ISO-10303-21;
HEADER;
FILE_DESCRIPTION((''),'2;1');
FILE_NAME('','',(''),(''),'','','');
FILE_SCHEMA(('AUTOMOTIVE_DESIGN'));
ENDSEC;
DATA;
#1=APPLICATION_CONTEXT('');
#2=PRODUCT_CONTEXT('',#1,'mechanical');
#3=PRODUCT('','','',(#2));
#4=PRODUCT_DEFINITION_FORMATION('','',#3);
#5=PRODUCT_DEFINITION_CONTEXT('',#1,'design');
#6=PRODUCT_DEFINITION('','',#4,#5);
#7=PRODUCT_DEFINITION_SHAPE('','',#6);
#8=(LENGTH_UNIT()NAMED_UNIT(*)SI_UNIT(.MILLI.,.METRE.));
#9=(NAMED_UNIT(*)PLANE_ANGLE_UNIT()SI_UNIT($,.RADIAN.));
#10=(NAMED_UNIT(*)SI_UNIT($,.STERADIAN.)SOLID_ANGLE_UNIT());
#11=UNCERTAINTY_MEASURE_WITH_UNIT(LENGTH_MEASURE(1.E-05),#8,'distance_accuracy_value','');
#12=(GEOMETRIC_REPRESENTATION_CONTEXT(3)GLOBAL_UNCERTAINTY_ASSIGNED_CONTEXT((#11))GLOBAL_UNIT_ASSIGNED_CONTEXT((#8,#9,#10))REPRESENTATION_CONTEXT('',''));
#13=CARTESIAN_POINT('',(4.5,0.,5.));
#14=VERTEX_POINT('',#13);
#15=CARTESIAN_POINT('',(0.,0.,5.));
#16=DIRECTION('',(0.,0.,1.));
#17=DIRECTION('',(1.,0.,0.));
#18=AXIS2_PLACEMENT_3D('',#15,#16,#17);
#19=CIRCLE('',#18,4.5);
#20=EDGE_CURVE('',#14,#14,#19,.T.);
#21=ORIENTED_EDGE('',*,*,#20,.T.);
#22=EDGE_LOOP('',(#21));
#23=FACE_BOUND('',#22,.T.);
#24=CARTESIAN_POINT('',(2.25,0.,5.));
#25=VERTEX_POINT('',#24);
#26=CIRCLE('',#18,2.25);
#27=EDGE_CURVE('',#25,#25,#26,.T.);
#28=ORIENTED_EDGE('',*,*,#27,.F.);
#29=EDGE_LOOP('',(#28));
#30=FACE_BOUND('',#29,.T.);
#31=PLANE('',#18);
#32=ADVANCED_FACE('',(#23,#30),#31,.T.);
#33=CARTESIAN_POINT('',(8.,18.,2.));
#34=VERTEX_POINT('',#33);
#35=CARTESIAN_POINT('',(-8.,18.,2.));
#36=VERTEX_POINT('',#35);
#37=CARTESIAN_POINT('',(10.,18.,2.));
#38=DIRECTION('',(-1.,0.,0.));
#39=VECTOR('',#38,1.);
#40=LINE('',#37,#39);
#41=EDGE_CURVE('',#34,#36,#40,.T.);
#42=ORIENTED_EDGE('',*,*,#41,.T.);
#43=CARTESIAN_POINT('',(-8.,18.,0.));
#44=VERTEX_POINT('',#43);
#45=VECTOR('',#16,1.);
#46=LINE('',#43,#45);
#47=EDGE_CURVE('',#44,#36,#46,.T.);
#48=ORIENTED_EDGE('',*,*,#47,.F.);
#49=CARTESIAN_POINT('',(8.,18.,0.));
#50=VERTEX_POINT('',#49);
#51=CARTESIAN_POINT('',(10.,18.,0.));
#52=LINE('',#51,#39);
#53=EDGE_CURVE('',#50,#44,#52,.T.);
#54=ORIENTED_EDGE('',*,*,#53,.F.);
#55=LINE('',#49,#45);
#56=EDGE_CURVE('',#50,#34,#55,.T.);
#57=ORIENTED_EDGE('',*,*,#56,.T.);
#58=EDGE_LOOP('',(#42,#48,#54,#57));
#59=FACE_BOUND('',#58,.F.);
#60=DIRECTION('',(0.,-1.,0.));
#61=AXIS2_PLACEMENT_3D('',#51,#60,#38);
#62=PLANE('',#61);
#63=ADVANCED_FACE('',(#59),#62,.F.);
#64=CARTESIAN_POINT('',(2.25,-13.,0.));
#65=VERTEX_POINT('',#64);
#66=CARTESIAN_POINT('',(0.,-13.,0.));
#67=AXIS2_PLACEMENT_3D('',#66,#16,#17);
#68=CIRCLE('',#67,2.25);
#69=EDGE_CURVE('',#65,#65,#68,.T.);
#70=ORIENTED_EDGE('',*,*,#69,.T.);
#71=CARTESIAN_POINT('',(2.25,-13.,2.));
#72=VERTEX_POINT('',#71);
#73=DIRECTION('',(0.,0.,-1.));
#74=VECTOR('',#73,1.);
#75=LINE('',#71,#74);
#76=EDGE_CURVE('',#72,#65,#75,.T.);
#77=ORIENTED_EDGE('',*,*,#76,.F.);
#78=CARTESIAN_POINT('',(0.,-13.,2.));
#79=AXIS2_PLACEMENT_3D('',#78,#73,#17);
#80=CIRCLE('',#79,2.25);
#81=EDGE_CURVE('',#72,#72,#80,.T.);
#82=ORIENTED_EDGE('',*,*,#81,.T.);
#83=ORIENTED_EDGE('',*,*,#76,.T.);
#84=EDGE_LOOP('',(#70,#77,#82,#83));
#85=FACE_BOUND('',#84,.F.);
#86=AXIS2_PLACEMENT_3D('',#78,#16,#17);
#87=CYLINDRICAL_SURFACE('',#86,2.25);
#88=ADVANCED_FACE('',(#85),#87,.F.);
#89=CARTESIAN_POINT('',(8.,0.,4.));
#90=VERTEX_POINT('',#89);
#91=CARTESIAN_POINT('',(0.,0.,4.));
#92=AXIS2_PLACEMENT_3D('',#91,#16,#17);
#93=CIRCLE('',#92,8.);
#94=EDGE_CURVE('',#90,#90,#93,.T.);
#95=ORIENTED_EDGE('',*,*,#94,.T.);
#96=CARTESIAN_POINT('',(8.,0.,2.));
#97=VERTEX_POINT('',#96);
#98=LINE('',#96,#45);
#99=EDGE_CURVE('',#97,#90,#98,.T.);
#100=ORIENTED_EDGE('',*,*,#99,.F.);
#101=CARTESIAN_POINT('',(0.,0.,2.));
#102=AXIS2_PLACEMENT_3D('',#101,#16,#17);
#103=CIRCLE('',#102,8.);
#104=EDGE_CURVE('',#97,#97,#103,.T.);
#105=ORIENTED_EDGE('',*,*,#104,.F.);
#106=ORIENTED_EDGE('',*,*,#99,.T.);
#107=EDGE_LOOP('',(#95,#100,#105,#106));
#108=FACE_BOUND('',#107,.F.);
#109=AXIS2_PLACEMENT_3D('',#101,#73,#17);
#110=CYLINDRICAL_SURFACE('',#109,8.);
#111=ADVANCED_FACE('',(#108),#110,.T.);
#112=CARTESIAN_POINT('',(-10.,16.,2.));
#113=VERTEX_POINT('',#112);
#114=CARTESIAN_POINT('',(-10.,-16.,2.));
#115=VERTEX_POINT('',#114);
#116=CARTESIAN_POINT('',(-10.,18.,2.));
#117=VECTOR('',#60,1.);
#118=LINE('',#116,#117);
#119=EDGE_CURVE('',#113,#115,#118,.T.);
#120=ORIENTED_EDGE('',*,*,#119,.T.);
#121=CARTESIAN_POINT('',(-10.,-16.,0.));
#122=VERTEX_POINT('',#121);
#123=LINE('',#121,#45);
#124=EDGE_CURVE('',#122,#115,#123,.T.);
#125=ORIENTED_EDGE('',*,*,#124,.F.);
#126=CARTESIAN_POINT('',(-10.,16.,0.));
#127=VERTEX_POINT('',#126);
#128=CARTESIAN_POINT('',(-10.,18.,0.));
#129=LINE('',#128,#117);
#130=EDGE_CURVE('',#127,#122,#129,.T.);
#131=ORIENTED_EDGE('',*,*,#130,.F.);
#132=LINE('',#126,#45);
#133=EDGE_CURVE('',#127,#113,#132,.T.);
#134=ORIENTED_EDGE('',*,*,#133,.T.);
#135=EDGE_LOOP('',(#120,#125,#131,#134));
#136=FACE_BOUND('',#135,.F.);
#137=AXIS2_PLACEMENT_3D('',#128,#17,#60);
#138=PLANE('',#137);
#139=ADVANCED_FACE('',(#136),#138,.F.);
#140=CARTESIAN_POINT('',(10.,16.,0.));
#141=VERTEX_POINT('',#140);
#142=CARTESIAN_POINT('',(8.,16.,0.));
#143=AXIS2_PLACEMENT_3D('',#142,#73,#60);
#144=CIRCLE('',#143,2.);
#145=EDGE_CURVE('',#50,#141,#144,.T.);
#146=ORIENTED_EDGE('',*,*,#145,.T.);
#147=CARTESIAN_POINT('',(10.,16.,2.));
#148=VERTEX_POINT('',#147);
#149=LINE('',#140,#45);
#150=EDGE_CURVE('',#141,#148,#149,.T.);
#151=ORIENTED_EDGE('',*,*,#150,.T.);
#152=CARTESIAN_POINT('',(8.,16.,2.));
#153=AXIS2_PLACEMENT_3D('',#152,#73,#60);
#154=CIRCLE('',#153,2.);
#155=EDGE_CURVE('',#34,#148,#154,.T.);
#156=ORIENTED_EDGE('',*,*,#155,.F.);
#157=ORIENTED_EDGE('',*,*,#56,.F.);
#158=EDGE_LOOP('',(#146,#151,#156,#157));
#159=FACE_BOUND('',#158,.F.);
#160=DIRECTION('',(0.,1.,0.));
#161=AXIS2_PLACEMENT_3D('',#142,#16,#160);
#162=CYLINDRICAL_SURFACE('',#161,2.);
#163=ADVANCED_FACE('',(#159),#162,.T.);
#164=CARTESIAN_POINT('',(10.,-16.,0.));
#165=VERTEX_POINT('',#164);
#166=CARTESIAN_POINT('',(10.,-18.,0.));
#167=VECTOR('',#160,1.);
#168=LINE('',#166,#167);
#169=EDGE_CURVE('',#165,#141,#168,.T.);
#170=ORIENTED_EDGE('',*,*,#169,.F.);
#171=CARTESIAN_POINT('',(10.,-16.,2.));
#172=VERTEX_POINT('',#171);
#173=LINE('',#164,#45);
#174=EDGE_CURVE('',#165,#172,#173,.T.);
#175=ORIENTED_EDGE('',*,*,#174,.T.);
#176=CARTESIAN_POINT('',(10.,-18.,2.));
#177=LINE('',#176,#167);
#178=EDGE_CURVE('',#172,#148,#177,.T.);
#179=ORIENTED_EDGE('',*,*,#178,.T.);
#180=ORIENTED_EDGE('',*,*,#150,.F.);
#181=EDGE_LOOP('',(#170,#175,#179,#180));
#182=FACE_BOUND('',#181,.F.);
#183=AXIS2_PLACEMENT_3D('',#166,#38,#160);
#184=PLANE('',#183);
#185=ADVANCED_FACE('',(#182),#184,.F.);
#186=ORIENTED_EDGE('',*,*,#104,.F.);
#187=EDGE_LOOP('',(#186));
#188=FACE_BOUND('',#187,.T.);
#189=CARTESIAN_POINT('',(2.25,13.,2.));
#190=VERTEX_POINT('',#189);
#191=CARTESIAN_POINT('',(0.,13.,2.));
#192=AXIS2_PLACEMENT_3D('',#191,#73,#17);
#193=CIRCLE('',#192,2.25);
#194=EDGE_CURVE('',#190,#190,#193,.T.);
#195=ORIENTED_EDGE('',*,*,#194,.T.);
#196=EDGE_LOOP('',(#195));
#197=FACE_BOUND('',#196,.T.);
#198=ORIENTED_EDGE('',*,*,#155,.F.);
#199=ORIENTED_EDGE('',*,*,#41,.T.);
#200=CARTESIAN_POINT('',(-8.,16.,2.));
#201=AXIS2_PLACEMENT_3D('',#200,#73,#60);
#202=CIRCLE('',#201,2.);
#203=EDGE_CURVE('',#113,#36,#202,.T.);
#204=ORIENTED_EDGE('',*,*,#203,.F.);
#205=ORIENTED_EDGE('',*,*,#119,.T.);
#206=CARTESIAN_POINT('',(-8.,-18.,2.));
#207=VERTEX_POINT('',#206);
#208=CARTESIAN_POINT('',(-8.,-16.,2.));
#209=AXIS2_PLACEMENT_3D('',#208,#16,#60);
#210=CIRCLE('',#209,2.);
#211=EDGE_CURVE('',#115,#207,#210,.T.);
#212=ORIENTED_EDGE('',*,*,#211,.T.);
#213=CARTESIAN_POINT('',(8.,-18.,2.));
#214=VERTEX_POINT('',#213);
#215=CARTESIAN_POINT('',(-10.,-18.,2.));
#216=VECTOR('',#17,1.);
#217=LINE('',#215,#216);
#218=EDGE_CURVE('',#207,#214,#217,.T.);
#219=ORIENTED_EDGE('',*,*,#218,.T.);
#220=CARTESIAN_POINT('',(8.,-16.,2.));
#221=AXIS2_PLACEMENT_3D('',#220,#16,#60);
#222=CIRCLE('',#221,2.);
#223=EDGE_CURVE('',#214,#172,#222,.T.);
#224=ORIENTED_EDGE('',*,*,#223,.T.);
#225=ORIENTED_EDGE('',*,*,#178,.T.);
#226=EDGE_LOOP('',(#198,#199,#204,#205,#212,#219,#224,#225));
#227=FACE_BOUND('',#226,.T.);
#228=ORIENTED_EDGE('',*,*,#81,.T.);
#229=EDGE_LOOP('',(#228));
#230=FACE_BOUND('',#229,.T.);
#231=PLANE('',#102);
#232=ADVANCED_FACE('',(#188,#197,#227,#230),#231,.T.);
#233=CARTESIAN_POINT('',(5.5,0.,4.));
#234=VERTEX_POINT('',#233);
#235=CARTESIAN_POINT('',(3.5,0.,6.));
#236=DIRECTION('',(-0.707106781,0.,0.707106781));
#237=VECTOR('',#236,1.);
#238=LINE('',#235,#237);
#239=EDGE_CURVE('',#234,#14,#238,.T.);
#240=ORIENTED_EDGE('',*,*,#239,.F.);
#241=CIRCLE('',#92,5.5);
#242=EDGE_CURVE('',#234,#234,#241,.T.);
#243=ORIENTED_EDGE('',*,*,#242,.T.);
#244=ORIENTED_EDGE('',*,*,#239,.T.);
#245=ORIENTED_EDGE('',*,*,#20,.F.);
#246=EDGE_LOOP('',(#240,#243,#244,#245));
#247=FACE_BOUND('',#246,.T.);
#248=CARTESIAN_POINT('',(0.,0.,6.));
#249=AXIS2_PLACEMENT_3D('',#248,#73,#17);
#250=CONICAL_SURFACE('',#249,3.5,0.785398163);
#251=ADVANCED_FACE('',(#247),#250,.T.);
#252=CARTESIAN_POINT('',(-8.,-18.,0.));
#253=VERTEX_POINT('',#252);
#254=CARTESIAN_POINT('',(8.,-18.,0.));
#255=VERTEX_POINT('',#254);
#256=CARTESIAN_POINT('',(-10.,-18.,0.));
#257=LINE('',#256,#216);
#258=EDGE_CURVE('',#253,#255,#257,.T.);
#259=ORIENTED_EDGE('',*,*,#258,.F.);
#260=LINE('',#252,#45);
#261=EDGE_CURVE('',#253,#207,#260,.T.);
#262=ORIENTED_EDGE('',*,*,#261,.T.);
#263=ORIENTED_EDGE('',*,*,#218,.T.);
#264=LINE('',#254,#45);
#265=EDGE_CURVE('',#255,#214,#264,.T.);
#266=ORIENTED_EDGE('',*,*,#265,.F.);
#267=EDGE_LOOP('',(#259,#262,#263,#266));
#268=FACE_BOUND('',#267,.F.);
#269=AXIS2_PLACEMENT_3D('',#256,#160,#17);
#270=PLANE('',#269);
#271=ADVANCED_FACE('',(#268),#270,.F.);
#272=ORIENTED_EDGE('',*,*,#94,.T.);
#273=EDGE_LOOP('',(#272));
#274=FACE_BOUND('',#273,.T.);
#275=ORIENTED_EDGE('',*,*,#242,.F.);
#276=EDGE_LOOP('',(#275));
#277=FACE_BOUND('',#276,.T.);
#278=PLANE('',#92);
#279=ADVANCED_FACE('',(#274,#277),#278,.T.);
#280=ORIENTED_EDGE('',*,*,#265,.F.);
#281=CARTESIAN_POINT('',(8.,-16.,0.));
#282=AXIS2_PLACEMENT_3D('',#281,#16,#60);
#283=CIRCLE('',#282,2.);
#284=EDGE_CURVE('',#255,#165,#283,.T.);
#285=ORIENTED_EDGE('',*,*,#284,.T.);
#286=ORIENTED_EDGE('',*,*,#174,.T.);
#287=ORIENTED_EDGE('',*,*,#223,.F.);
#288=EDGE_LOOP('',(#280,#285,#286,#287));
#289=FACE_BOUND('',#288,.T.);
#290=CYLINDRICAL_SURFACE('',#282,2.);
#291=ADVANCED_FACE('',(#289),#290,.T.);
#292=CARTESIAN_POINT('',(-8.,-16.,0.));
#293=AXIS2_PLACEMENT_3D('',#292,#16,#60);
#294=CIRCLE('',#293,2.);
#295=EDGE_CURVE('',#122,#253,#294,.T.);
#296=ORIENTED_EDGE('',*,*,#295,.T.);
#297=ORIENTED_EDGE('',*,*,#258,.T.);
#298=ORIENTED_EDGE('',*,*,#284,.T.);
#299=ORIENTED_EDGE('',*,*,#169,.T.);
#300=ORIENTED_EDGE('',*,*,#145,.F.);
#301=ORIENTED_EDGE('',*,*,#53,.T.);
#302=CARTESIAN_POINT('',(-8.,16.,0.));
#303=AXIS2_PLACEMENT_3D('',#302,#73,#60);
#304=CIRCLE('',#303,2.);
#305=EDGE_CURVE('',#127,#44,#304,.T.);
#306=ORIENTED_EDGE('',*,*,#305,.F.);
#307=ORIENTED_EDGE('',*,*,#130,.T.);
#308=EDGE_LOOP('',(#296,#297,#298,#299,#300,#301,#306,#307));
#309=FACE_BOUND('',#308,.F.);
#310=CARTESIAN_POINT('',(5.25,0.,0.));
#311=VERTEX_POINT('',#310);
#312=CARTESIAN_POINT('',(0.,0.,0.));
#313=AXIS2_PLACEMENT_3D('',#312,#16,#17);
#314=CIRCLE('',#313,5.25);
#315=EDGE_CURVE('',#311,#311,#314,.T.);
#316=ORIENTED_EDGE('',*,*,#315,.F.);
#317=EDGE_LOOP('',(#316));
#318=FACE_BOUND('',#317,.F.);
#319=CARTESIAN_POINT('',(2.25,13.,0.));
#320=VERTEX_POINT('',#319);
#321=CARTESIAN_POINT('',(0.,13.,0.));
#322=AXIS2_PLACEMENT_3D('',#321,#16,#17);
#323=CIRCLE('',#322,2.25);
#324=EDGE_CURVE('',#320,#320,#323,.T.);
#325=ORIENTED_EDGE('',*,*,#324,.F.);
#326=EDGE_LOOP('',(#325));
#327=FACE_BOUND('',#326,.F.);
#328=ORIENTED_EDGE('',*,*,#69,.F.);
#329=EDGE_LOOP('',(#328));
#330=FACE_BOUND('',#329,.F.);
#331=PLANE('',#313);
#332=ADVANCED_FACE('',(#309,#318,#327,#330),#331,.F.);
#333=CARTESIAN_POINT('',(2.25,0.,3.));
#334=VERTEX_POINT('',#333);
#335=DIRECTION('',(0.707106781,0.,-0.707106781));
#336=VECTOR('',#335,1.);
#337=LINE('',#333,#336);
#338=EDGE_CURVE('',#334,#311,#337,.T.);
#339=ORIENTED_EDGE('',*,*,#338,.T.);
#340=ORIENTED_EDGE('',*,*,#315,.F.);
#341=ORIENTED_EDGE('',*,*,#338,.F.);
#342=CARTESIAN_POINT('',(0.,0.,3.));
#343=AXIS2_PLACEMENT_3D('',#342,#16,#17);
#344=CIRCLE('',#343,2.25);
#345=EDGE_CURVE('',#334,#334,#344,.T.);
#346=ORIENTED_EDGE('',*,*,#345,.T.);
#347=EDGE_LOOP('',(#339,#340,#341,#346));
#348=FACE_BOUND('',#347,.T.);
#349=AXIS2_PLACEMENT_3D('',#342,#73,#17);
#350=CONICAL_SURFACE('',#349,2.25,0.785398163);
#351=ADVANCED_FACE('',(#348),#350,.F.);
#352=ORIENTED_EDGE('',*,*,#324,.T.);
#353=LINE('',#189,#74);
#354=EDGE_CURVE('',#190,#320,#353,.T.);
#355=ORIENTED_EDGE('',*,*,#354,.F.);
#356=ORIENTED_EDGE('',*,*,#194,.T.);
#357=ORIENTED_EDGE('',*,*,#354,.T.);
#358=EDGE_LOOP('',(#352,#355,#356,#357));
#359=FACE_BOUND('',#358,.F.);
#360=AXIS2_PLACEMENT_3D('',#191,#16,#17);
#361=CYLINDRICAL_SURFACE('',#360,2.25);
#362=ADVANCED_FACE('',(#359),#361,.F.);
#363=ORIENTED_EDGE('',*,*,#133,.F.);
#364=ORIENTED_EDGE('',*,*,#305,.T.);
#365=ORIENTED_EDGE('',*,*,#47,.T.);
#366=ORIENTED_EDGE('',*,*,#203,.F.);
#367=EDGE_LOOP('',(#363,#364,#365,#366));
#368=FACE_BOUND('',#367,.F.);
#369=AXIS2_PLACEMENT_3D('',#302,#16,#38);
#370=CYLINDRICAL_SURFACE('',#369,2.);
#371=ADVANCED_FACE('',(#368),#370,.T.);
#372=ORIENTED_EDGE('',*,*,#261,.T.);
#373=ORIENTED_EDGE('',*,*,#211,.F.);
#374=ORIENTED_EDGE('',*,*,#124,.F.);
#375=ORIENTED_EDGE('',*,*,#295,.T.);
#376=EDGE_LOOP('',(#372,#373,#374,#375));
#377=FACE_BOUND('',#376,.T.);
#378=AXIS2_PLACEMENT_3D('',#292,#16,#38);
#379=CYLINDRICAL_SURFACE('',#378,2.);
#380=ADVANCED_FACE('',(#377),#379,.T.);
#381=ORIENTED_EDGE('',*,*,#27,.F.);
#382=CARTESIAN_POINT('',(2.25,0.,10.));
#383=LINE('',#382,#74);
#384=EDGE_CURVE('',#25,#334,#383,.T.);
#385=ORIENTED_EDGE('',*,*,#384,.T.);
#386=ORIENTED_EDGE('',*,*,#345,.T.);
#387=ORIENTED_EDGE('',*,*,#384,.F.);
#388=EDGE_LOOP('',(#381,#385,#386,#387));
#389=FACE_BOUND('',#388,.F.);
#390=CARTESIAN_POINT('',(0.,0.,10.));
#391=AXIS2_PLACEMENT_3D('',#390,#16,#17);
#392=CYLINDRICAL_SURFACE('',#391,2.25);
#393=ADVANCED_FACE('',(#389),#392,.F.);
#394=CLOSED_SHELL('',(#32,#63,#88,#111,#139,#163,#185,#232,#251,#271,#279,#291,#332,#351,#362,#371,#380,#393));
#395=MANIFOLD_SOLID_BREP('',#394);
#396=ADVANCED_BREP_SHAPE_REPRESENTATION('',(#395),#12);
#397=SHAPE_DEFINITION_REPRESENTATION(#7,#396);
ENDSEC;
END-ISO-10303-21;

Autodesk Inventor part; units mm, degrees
ref_plane "YZ Plane" through (0, 0, 0) normal (1, 0, 0) x (0, 1, 0)
ref_plane "XZ Plane" through (0, 0, 0) normal (0, 1, 0) x (-1, 0, 0)
ref_plane "XY Plane" through (0, 0, 0) normal (0, 0, 1) x (1, 0, 0)
sketch "Sketch4" plane through (0, 0, 0) normal (0, 0, 1) x (1, 0, 0)
  line L0 (-10, -18) -> (10, -18)
  line L1 (10, -18) -> (10, 18)
  line L2 (10, 18) -> (-10, 18)
  line L3 (-10, 18) -> (-10, -18)
  line L4 (-10, -18) -> (10, 18) construction
  line L5 (10, -18) -> (-10, 18) construction
  point P0 (0, 0)
  dimension "d16" = 20
  dimension "d17" = 36
extrude "Extrusion4" add sketch "Sketch4" along normal blind 2
sketch "Sketch5" plane through (0, 0, 2) normal (0, 0, 1) x (1, 0, 0)
  line L0 (0, 25.2) -> (0, -25.2) projected
  circle A0 centre (0, 13) radius 2.25
  circle A1 centre (0, -13) radius 2.25
  line L1 (10, 18) -> (-10, 18) projected
  line L2 (-10, -18) -> (10, -18) projected
  point P0 (0, 0)
  dimension "d20" = 4.5
  dimension "d21" = 4.5
  dimension "d22" = 5
  dimension "d23" = 5
extrude "Extrusion5" cut sketch "Sketch5" against normal through all
sketch "Sketch6" plane through (0, 0, 2) normal (0, 0, 1) x (1, 0, 0)
  circle A0 centre (0, 0) radius 8
  dimension "d26" = 16
extrude "Extrusion6" add sketch "Sketch6" along normal blind 2
fillet "Fillet1" radius 2 4 edges at (10, 18, 1) (-10, 18, 1) (-10, -18, 1) (10, -18, 1)
sketch "Sketch7" plane through (0, 0, 4) normal (0, 0, 1) x (1, 0, 0)
  circle A0 centre (0, 0) radius 3.5
  dimension "d30" = 7
extrude "Extrusion7" add sketch "Sketch7" along normal blind 6
chamfer "Chamfer1" distance 2 angle 45 1 edges at (-3.5, 0, 4)
sketch "Sketch8" plane through (0, 0, 10) normal (0, 0, 1) x (1, 0, 0)
  circle A0 centre (0, 0) radius 2.25
  dimension "d36" = 4.5
extrude "Extrusion8" cut sketch "Sketch8" against normal through all
chamfer "Chamfer2" distance 3 angle 45 1 edges at (-2.25, 0, 0)
sketch "Sketch10" plane through (0, 0, 10) normal (0, 0, 1) x (1, 0, 0)
  circle A0 centre (0, 0) radius 13.6126
extrude "Extrusion9" cut sketch "Sketch10" against normal blind 5
equation "\"d21\" = d20"
equation "\"d23\" = d22"
properties part number "LinearActuatorHolder"
